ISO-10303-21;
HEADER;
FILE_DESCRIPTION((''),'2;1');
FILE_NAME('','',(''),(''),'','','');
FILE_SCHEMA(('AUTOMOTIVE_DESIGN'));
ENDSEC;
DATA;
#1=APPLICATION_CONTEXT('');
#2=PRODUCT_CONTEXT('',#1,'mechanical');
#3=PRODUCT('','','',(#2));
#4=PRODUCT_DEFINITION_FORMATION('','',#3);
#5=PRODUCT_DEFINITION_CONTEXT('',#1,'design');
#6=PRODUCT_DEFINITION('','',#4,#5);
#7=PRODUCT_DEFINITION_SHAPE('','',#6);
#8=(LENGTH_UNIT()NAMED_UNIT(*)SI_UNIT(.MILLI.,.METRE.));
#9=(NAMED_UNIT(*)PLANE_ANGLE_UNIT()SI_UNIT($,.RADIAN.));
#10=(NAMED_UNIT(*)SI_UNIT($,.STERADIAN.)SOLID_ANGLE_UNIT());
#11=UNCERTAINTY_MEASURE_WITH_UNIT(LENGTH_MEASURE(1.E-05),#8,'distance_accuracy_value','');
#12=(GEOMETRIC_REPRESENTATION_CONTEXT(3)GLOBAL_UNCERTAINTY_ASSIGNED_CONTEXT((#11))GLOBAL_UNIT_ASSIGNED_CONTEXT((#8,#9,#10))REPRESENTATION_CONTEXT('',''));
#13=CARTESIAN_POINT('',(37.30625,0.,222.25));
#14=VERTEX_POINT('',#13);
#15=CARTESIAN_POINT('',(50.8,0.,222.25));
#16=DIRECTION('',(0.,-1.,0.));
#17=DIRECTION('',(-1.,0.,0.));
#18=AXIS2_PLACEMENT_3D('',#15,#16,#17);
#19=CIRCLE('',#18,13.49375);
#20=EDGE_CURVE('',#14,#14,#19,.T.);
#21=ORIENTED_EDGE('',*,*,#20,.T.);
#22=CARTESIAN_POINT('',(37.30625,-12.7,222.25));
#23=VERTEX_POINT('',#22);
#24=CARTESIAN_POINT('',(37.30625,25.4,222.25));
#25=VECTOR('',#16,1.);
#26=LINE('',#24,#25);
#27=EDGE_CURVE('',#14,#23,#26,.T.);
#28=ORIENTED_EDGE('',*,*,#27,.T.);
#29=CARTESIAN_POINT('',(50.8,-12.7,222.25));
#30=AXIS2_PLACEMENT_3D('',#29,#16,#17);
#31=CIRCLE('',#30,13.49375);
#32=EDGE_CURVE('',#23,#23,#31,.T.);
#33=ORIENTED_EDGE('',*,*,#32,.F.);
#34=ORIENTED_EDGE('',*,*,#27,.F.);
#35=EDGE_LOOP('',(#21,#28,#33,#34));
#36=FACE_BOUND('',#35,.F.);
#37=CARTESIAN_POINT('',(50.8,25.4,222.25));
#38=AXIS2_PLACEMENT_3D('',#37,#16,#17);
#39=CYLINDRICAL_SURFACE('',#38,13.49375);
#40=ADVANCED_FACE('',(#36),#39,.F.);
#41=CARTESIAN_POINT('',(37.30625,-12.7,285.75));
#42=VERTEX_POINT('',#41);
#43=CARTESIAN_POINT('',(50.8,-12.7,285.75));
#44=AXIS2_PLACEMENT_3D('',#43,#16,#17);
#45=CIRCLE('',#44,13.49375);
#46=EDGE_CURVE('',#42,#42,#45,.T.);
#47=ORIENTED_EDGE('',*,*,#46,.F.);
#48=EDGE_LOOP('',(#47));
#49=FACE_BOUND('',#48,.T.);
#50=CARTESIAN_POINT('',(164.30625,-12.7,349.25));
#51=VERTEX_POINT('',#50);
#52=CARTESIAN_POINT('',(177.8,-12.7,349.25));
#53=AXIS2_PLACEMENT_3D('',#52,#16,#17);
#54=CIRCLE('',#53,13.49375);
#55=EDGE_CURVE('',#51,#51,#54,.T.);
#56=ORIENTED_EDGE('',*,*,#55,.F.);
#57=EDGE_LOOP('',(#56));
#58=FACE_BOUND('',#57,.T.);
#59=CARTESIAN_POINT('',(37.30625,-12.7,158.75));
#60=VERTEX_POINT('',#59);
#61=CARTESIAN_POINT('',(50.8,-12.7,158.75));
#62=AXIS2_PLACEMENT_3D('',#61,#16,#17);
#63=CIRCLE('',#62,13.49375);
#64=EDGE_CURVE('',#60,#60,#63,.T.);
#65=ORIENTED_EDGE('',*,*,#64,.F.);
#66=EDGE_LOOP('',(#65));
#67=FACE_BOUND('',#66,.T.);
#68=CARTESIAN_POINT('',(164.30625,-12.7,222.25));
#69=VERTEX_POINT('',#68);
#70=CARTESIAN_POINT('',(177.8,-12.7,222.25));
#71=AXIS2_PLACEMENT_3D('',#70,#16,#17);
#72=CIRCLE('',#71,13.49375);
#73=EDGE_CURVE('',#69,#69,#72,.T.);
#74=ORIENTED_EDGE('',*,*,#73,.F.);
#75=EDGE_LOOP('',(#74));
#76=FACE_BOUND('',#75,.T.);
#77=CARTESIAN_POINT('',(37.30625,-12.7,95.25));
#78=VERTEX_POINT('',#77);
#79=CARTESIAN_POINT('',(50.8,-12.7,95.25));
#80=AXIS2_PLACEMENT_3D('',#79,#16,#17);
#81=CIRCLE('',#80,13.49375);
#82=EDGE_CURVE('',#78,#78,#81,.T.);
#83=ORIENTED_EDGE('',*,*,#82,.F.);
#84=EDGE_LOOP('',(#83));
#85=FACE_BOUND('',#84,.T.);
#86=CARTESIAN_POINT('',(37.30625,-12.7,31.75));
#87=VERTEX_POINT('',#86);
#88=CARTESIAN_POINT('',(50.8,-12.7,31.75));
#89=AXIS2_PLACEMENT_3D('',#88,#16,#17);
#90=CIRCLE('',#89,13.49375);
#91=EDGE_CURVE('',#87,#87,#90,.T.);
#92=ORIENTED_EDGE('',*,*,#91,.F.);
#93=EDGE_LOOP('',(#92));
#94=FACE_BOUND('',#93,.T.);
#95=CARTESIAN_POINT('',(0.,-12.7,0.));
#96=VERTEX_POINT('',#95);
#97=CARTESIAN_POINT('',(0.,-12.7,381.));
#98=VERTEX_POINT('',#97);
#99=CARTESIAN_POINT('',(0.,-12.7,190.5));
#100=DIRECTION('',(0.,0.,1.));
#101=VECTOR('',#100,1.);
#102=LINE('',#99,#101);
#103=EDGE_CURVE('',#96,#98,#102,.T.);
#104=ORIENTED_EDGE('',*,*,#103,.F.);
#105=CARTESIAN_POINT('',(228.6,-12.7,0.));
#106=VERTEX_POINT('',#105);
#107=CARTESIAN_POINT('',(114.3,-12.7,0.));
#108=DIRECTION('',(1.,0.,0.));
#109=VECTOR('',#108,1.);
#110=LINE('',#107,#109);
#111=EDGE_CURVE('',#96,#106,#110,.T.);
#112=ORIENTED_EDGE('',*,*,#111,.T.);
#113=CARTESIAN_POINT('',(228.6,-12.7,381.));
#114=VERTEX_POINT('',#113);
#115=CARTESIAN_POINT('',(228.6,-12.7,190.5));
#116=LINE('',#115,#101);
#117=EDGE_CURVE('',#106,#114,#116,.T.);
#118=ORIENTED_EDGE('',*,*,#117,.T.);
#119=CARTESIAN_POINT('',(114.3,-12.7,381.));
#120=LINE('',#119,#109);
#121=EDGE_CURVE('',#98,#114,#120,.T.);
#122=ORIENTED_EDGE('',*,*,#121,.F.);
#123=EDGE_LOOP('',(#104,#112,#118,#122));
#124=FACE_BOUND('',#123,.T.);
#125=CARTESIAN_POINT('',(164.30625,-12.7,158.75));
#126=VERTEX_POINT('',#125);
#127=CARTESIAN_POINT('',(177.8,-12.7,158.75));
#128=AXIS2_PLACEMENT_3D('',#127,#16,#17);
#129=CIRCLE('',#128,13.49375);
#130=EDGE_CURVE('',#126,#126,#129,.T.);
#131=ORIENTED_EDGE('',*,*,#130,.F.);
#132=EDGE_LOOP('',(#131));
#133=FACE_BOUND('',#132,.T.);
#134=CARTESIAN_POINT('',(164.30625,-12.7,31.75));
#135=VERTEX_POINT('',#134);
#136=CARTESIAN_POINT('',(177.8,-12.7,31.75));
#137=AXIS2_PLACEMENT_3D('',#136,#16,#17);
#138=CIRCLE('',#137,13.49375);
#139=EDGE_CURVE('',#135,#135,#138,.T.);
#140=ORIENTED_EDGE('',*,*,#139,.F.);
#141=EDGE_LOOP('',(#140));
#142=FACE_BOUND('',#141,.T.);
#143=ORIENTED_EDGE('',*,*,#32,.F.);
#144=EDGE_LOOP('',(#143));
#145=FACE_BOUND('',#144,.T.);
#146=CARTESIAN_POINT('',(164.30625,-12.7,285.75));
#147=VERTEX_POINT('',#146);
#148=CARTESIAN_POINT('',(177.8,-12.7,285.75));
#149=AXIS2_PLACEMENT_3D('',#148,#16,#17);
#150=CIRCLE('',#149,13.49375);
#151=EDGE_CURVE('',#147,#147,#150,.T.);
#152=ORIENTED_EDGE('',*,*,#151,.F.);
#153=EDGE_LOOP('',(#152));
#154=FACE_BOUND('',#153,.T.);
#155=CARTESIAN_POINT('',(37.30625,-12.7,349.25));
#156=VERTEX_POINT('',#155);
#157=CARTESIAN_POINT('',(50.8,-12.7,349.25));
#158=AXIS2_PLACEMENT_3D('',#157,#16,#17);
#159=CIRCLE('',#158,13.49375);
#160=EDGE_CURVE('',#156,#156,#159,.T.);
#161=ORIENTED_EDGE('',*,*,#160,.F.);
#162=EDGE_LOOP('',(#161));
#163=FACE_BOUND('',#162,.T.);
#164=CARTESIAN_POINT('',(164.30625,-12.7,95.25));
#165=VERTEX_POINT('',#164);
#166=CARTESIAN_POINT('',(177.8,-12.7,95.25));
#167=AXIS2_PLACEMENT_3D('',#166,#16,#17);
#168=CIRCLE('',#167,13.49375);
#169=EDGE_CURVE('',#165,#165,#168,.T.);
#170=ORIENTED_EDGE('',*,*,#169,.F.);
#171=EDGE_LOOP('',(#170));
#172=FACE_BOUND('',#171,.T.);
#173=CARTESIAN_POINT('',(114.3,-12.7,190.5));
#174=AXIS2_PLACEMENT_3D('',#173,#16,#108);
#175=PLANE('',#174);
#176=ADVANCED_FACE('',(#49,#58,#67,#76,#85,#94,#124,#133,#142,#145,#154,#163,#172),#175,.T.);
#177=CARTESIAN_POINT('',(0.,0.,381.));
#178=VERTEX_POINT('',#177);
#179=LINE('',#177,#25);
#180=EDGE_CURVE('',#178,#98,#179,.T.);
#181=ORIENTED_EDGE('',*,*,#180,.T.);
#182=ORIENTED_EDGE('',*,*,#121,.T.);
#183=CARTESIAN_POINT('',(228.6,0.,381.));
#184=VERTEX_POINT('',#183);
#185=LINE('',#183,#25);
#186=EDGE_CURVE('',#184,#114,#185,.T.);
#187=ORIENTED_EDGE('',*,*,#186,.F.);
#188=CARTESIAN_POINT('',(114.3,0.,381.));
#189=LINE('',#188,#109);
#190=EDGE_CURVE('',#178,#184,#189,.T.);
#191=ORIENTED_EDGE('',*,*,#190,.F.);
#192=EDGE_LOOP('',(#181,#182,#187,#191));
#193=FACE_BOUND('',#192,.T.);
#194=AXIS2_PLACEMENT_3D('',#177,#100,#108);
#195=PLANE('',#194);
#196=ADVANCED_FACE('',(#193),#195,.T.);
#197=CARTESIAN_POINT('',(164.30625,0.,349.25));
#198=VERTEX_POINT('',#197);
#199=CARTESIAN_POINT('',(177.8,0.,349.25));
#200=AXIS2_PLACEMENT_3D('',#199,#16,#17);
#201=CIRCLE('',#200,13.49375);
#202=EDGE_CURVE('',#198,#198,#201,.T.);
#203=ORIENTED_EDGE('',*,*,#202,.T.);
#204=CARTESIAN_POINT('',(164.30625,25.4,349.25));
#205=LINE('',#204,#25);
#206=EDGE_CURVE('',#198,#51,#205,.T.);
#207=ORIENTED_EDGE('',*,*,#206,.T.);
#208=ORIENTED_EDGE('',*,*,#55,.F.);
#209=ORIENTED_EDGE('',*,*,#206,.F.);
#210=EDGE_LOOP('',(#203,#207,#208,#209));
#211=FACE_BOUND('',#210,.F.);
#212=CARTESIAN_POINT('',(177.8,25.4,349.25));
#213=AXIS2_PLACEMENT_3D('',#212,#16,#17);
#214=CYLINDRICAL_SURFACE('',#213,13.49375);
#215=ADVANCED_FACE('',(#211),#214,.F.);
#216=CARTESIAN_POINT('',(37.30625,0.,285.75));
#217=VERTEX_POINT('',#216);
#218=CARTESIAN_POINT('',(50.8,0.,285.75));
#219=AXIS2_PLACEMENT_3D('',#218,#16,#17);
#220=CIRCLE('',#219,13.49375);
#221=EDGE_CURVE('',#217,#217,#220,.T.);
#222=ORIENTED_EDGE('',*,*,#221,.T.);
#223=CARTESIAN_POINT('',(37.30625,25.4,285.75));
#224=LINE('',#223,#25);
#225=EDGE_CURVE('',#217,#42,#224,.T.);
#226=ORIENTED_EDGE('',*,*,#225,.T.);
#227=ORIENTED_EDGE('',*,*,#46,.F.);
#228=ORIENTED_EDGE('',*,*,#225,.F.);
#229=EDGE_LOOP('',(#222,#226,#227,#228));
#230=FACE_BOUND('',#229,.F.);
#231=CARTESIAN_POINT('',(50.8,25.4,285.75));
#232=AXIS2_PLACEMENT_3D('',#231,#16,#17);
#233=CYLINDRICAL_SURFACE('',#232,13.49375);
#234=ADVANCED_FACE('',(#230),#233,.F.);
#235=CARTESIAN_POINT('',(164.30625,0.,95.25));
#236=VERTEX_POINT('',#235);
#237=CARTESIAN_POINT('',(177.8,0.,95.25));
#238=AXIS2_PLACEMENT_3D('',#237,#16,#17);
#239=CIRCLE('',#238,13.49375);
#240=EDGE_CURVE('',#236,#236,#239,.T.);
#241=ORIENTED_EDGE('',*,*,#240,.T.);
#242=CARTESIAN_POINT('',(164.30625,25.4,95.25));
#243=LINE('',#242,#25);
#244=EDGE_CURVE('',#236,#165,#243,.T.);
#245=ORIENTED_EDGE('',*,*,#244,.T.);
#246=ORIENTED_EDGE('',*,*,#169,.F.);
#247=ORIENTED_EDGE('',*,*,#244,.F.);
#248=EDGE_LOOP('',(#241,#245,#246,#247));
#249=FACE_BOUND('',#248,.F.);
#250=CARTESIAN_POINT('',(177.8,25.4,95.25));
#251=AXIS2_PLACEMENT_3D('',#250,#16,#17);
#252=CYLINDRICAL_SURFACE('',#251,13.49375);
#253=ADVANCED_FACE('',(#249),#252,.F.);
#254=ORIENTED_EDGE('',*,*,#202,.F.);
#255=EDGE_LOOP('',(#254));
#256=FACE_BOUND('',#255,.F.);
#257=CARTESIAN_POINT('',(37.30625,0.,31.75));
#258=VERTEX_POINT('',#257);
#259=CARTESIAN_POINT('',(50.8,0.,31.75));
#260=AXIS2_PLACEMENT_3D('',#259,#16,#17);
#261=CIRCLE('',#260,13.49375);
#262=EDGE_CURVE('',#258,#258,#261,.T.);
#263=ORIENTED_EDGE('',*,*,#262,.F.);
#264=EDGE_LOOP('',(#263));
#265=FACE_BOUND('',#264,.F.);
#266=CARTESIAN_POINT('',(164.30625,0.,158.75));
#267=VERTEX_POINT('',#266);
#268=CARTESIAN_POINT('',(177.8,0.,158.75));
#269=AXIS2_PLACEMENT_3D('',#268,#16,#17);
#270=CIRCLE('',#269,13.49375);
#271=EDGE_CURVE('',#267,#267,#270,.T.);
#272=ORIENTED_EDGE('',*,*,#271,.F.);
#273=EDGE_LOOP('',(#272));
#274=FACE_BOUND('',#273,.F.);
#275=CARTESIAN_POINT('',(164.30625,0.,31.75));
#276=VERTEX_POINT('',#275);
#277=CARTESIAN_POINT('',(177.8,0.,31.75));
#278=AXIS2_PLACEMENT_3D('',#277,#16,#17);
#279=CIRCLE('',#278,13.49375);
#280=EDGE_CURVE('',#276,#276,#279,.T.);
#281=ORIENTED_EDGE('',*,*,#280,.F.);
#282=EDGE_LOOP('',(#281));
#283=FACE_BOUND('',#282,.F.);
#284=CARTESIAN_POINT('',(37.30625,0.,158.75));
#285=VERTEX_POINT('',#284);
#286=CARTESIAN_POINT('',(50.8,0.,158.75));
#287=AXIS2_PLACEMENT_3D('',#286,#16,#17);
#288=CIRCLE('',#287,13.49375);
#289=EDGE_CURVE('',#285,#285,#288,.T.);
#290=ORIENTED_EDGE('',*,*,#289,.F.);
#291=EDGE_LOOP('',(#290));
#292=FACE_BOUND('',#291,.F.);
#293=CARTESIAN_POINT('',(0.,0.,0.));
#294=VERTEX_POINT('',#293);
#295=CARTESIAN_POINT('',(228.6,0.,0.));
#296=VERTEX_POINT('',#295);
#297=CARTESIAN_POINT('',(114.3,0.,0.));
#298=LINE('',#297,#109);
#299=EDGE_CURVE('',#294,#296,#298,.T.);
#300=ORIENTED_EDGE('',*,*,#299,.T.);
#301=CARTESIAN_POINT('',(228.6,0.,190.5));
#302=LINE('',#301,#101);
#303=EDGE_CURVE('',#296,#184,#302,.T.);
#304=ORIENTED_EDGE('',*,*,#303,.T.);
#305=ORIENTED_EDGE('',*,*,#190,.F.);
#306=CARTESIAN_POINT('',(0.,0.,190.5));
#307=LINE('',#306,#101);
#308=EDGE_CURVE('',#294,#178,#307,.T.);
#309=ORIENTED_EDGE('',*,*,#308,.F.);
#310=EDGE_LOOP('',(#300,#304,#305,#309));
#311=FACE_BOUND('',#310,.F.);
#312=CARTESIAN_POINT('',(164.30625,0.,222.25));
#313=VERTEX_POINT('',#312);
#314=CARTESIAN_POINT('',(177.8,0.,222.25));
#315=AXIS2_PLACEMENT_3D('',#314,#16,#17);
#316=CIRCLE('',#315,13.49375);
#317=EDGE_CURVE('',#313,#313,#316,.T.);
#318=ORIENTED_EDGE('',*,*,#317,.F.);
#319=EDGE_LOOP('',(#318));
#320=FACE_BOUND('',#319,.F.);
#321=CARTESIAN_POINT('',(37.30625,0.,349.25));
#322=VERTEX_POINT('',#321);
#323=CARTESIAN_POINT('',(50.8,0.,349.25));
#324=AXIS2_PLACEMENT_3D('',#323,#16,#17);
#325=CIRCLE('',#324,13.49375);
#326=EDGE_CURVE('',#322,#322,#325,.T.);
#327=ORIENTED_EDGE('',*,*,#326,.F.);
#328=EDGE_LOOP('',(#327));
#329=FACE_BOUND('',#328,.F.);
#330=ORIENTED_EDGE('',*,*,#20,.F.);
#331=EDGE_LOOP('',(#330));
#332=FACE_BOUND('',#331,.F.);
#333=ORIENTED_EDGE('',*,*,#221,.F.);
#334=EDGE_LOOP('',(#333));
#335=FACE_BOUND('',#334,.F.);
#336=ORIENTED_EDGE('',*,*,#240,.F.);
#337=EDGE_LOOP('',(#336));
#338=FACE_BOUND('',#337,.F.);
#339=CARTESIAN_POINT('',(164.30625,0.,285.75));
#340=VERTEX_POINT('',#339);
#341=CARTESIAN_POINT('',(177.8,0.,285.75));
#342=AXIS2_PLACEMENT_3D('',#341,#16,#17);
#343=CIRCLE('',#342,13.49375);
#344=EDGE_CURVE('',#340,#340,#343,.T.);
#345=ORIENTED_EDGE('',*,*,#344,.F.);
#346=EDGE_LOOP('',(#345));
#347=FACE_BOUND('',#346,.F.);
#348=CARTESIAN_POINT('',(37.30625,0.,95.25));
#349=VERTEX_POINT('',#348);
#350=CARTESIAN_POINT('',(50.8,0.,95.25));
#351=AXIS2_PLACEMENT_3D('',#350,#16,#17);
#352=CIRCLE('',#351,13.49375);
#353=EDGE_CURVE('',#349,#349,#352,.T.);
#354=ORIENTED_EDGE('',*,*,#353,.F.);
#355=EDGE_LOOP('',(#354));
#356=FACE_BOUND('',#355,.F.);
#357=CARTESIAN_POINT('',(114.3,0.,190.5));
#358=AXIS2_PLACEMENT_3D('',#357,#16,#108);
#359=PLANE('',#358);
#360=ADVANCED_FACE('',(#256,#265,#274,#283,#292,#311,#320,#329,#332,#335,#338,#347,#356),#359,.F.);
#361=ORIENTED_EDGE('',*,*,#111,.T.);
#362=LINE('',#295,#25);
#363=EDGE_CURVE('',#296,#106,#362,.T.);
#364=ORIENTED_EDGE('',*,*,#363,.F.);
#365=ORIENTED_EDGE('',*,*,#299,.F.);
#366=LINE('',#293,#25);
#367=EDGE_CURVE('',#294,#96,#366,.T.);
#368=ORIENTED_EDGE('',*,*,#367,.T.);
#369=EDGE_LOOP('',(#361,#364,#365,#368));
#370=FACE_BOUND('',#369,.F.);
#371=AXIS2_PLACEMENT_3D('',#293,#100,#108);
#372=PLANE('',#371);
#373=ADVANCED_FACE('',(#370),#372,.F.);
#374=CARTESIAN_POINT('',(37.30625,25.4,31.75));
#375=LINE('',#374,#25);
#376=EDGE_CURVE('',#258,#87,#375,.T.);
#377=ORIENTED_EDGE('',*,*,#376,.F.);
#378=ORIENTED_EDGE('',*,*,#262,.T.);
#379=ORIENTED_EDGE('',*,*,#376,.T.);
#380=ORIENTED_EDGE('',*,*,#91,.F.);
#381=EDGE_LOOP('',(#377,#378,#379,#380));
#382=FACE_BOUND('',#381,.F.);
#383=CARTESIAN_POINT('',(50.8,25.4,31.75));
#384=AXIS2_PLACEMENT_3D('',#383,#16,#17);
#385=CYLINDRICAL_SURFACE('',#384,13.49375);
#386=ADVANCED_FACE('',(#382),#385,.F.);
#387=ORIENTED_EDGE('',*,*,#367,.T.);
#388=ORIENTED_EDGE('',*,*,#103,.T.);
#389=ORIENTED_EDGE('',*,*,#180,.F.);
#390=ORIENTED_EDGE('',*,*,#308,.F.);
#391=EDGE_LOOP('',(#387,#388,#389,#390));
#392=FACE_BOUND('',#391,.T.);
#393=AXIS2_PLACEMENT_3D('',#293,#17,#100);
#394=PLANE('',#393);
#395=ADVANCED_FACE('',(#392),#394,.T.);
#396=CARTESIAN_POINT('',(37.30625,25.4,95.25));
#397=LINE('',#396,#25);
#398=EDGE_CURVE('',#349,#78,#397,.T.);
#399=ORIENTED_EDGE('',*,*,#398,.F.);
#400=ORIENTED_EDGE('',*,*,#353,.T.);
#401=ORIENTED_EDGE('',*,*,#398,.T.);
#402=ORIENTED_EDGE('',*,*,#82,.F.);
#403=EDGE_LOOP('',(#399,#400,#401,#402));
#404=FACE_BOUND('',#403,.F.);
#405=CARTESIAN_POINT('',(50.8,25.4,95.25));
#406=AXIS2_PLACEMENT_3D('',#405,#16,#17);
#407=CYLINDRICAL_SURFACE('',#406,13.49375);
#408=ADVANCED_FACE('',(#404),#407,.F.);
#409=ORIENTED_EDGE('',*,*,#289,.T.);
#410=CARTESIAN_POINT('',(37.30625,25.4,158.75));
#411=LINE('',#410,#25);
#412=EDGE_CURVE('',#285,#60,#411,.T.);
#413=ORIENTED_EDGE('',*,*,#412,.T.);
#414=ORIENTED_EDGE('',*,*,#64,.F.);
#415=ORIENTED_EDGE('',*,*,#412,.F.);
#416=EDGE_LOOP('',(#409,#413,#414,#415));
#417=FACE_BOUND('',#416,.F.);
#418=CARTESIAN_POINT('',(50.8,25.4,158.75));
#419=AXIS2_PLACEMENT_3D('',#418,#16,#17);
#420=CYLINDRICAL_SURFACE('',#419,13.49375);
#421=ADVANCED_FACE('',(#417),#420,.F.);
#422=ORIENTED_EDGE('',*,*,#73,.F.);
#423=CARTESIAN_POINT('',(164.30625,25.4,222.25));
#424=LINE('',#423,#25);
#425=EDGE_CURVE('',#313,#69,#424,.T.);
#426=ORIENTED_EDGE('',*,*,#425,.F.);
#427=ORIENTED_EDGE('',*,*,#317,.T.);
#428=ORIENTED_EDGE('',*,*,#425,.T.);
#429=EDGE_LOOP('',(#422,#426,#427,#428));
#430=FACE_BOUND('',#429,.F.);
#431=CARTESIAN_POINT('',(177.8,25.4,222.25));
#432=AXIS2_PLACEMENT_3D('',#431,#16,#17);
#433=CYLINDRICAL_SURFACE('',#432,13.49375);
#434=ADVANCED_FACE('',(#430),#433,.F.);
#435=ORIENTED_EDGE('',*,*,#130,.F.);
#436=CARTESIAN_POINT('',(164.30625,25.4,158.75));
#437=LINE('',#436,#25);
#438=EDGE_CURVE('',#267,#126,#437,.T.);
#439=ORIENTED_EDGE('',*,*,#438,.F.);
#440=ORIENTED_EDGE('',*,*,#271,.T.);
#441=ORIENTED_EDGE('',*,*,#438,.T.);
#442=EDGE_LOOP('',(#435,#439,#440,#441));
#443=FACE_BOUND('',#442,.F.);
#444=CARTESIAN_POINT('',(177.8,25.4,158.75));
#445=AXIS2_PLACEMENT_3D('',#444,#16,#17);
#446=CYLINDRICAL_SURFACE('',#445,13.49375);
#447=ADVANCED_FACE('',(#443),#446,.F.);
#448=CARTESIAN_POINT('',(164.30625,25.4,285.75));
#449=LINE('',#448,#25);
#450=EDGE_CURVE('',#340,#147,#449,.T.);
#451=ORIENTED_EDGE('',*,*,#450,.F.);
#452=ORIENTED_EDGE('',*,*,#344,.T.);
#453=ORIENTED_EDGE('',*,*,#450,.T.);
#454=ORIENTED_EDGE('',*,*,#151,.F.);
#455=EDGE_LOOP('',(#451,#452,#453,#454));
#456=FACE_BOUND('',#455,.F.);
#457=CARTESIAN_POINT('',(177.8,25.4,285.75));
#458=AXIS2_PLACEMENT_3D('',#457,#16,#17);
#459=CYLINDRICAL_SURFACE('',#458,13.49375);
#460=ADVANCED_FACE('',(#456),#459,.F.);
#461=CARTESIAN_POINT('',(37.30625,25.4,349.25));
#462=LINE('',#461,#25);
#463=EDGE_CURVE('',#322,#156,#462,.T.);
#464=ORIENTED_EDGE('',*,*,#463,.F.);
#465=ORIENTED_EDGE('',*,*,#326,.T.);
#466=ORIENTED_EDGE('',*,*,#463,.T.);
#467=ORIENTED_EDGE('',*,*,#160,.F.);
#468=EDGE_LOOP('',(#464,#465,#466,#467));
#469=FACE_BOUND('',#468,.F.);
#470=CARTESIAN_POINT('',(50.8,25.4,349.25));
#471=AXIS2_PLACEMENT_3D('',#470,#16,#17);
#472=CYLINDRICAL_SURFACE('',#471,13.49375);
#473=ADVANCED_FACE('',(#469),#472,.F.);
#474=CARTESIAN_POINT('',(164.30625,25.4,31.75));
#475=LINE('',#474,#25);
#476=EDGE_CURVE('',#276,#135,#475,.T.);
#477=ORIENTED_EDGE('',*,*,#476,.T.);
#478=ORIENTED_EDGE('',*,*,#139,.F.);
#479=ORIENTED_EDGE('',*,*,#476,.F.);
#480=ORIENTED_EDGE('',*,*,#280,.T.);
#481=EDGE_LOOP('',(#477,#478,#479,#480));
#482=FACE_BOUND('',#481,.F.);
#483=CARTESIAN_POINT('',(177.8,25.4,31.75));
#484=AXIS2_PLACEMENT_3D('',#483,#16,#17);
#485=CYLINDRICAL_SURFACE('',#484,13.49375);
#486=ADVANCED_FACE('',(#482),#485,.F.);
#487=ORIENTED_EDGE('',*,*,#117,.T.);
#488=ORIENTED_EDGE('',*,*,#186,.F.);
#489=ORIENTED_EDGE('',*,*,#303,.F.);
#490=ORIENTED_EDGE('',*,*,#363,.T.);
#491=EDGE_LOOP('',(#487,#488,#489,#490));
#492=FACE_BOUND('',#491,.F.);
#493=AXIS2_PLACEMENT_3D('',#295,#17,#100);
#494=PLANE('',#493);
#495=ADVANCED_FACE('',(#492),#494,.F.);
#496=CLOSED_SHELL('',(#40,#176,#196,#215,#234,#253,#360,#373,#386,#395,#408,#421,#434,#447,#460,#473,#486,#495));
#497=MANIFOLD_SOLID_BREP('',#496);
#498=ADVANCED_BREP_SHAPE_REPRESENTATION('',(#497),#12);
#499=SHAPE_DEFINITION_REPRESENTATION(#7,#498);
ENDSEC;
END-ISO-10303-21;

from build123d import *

# Parameters (mm, degrees)
F0_W     = 228.6
F0_H     = 381
F1_DEPTH = 12.7
F2_D     = 26.9875
F2_DEPTH = 25.4
F2_TIP   = 8.107862978


with BuildPart() as f1:
    # F0 (on Front) → F1 (new body)
    with BuildSketch(Plane.XZ):
        with Locations((114.3, 190.5)):
            Rectangle(F0_W, F0_H)
    extrude(amount=F1_DEPTH)

    # F2
    with Locations(Plane(origin=(0, 0, 0), x_dir=(1, 0, 0), z_dir=(0, 1, 0))):
        with Locations((177.8, -349.25), (177.8, -285.75), (177.8, -222.25), (177.8, -158.75), (177.8, -95.25), (177.8, -31.75), (50.8, -31.75), (50.8, -95.25), (50.8, -222.25), (50.8, -285.75), (50.8, -349.25), (50.8, -158.75)):
            Hole(F2_D / 2, depth=F2_DEPTH)
            with Locations((0, 0, -(F2_DEPTH + F2_TIP / 2))):  # 118° drill point
                Cone(0, F2_D / 2, F2_TIP, mode=Mode.SUBTRACT)


solid = f1.part
